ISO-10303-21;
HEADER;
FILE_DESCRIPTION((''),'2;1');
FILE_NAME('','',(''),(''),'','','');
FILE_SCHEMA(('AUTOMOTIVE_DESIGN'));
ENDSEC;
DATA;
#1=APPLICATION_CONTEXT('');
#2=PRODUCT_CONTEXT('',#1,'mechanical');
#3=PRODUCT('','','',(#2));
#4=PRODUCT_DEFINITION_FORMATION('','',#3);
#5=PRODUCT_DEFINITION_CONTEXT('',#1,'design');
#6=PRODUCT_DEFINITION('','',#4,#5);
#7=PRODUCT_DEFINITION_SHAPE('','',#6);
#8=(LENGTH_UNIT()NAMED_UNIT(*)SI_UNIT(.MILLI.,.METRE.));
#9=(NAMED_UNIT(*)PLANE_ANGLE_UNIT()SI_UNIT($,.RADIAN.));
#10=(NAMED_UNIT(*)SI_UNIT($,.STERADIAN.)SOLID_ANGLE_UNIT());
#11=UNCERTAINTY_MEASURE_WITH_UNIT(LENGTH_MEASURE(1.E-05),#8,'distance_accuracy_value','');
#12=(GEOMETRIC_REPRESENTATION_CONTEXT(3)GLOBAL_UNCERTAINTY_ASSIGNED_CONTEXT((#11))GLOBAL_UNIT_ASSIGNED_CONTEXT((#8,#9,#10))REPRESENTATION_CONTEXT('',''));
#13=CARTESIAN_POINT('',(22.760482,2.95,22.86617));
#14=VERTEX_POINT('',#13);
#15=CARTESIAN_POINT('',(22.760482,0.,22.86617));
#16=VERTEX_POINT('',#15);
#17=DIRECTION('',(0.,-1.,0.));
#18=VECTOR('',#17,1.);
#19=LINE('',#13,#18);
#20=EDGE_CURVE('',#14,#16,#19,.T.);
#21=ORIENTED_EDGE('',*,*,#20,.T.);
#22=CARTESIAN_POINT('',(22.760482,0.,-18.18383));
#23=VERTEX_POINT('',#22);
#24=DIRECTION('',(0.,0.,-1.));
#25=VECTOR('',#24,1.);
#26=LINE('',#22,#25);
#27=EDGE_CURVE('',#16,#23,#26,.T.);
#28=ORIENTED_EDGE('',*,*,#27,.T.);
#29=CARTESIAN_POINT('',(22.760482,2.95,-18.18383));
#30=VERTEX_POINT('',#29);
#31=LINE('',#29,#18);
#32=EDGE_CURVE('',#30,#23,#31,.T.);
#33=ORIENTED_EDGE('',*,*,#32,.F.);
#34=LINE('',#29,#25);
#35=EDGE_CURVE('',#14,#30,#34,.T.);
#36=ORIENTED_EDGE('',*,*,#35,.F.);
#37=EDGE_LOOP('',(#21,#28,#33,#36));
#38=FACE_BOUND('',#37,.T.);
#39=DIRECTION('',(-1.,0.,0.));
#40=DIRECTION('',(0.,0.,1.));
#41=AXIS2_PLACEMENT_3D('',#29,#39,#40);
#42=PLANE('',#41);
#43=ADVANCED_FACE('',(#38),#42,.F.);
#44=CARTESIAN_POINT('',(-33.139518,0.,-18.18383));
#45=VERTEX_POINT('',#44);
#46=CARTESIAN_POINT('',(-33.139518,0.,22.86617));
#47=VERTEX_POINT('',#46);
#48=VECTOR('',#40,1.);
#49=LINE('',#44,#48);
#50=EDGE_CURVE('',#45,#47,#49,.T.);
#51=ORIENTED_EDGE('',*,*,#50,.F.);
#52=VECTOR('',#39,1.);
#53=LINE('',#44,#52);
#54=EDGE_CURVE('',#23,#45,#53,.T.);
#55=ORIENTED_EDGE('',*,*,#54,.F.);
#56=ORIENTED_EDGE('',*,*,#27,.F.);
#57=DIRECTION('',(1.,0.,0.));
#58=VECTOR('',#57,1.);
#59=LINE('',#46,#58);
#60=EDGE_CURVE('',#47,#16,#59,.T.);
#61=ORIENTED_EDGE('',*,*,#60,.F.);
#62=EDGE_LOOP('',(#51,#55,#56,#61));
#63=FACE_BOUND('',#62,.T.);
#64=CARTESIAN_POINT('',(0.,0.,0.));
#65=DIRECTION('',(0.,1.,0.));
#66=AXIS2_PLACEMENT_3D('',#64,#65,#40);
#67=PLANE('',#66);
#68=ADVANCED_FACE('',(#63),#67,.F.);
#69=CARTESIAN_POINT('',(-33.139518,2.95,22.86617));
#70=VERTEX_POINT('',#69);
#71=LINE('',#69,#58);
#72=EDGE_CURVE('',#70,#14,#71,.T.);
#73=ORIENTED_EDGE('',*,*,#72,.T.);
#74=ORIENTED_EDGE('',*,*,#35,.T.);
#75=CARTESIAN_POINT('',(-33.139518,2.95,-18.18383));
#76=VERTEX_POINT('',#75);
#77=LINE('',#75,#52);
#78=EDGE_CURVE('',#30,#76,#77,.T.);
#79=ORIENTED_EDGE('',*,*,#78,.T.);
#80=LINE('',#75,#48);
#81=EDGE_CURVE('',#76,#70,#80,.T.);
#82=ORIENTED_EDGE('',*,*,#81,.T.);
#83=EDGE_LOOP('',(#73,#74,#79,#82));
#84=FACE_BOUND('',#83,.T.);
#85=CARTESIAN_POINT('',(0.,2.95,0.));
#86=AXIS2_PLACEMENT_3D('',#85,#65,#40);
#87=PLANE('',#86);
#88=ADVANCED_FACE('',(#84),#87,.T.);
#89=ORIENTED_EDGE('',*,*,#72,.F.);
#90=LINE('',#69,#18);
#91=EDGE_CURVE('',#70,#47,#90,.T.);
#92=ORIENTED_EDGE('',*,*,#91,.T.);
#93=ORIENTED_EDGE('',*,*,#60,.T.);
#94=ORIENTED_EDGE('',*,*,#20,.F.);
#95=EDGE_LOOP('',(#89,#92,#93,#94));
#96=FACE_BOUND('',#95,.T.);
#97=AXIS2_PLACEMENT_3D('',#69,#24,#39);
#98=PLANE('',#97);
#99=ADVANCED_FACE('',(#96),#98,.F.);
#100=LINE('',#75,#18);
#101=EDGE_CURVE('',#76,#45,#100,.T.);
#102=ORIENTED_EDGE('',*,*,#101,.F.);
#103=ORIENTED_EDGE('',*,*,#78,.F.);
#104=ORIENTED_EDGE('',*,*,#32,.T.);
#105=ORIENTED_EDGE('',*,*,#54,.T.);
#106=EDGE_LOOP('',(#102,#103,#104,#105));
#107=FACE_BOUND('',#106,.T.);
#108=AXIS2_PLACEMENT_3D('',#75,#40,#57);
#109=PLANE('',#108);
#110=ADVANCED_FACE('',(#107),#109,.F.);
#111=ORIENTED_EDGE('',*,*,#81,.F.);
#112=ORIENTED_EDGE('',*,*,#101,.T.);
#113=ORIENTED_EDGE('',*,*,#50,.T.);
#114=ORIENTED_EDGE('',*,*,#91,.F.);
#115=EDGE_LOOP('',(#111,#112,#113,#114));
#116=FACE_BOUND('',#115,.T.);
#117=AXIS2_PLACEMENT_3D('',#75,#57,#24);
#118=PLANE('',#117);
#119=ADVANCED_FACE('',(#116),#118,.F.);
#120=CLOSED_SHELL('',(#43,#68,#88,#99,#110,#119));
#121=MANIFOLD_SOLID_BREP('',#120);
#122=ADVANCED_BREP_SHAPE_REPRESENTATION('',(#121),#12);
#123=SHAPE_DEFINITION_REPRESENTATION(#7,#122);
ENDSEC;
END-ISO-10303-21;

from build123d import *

# Parameters (mm, degrees)
SKETCH2_W           = 55.9
SKETCH2_H           = 41.05
BOSS_EXTRUDE2_DEPTH = 2.95


with BuildPart() as part:
    # Sketch2 → Boss-Extrude2 (new body)
    with BuildSketch(Plane(origin=(0, 0, 0), x_dir=(1, 0, 0), z_dir=(0, 1, 0))):
        with Locations((-5.189518072, -2.341169648)):
            Rectangle(SKETCH2_W, SKETCH2_H)
    extrude(amount=BOSS_EXTRUDE2_DEPTH)


solid = part.part
